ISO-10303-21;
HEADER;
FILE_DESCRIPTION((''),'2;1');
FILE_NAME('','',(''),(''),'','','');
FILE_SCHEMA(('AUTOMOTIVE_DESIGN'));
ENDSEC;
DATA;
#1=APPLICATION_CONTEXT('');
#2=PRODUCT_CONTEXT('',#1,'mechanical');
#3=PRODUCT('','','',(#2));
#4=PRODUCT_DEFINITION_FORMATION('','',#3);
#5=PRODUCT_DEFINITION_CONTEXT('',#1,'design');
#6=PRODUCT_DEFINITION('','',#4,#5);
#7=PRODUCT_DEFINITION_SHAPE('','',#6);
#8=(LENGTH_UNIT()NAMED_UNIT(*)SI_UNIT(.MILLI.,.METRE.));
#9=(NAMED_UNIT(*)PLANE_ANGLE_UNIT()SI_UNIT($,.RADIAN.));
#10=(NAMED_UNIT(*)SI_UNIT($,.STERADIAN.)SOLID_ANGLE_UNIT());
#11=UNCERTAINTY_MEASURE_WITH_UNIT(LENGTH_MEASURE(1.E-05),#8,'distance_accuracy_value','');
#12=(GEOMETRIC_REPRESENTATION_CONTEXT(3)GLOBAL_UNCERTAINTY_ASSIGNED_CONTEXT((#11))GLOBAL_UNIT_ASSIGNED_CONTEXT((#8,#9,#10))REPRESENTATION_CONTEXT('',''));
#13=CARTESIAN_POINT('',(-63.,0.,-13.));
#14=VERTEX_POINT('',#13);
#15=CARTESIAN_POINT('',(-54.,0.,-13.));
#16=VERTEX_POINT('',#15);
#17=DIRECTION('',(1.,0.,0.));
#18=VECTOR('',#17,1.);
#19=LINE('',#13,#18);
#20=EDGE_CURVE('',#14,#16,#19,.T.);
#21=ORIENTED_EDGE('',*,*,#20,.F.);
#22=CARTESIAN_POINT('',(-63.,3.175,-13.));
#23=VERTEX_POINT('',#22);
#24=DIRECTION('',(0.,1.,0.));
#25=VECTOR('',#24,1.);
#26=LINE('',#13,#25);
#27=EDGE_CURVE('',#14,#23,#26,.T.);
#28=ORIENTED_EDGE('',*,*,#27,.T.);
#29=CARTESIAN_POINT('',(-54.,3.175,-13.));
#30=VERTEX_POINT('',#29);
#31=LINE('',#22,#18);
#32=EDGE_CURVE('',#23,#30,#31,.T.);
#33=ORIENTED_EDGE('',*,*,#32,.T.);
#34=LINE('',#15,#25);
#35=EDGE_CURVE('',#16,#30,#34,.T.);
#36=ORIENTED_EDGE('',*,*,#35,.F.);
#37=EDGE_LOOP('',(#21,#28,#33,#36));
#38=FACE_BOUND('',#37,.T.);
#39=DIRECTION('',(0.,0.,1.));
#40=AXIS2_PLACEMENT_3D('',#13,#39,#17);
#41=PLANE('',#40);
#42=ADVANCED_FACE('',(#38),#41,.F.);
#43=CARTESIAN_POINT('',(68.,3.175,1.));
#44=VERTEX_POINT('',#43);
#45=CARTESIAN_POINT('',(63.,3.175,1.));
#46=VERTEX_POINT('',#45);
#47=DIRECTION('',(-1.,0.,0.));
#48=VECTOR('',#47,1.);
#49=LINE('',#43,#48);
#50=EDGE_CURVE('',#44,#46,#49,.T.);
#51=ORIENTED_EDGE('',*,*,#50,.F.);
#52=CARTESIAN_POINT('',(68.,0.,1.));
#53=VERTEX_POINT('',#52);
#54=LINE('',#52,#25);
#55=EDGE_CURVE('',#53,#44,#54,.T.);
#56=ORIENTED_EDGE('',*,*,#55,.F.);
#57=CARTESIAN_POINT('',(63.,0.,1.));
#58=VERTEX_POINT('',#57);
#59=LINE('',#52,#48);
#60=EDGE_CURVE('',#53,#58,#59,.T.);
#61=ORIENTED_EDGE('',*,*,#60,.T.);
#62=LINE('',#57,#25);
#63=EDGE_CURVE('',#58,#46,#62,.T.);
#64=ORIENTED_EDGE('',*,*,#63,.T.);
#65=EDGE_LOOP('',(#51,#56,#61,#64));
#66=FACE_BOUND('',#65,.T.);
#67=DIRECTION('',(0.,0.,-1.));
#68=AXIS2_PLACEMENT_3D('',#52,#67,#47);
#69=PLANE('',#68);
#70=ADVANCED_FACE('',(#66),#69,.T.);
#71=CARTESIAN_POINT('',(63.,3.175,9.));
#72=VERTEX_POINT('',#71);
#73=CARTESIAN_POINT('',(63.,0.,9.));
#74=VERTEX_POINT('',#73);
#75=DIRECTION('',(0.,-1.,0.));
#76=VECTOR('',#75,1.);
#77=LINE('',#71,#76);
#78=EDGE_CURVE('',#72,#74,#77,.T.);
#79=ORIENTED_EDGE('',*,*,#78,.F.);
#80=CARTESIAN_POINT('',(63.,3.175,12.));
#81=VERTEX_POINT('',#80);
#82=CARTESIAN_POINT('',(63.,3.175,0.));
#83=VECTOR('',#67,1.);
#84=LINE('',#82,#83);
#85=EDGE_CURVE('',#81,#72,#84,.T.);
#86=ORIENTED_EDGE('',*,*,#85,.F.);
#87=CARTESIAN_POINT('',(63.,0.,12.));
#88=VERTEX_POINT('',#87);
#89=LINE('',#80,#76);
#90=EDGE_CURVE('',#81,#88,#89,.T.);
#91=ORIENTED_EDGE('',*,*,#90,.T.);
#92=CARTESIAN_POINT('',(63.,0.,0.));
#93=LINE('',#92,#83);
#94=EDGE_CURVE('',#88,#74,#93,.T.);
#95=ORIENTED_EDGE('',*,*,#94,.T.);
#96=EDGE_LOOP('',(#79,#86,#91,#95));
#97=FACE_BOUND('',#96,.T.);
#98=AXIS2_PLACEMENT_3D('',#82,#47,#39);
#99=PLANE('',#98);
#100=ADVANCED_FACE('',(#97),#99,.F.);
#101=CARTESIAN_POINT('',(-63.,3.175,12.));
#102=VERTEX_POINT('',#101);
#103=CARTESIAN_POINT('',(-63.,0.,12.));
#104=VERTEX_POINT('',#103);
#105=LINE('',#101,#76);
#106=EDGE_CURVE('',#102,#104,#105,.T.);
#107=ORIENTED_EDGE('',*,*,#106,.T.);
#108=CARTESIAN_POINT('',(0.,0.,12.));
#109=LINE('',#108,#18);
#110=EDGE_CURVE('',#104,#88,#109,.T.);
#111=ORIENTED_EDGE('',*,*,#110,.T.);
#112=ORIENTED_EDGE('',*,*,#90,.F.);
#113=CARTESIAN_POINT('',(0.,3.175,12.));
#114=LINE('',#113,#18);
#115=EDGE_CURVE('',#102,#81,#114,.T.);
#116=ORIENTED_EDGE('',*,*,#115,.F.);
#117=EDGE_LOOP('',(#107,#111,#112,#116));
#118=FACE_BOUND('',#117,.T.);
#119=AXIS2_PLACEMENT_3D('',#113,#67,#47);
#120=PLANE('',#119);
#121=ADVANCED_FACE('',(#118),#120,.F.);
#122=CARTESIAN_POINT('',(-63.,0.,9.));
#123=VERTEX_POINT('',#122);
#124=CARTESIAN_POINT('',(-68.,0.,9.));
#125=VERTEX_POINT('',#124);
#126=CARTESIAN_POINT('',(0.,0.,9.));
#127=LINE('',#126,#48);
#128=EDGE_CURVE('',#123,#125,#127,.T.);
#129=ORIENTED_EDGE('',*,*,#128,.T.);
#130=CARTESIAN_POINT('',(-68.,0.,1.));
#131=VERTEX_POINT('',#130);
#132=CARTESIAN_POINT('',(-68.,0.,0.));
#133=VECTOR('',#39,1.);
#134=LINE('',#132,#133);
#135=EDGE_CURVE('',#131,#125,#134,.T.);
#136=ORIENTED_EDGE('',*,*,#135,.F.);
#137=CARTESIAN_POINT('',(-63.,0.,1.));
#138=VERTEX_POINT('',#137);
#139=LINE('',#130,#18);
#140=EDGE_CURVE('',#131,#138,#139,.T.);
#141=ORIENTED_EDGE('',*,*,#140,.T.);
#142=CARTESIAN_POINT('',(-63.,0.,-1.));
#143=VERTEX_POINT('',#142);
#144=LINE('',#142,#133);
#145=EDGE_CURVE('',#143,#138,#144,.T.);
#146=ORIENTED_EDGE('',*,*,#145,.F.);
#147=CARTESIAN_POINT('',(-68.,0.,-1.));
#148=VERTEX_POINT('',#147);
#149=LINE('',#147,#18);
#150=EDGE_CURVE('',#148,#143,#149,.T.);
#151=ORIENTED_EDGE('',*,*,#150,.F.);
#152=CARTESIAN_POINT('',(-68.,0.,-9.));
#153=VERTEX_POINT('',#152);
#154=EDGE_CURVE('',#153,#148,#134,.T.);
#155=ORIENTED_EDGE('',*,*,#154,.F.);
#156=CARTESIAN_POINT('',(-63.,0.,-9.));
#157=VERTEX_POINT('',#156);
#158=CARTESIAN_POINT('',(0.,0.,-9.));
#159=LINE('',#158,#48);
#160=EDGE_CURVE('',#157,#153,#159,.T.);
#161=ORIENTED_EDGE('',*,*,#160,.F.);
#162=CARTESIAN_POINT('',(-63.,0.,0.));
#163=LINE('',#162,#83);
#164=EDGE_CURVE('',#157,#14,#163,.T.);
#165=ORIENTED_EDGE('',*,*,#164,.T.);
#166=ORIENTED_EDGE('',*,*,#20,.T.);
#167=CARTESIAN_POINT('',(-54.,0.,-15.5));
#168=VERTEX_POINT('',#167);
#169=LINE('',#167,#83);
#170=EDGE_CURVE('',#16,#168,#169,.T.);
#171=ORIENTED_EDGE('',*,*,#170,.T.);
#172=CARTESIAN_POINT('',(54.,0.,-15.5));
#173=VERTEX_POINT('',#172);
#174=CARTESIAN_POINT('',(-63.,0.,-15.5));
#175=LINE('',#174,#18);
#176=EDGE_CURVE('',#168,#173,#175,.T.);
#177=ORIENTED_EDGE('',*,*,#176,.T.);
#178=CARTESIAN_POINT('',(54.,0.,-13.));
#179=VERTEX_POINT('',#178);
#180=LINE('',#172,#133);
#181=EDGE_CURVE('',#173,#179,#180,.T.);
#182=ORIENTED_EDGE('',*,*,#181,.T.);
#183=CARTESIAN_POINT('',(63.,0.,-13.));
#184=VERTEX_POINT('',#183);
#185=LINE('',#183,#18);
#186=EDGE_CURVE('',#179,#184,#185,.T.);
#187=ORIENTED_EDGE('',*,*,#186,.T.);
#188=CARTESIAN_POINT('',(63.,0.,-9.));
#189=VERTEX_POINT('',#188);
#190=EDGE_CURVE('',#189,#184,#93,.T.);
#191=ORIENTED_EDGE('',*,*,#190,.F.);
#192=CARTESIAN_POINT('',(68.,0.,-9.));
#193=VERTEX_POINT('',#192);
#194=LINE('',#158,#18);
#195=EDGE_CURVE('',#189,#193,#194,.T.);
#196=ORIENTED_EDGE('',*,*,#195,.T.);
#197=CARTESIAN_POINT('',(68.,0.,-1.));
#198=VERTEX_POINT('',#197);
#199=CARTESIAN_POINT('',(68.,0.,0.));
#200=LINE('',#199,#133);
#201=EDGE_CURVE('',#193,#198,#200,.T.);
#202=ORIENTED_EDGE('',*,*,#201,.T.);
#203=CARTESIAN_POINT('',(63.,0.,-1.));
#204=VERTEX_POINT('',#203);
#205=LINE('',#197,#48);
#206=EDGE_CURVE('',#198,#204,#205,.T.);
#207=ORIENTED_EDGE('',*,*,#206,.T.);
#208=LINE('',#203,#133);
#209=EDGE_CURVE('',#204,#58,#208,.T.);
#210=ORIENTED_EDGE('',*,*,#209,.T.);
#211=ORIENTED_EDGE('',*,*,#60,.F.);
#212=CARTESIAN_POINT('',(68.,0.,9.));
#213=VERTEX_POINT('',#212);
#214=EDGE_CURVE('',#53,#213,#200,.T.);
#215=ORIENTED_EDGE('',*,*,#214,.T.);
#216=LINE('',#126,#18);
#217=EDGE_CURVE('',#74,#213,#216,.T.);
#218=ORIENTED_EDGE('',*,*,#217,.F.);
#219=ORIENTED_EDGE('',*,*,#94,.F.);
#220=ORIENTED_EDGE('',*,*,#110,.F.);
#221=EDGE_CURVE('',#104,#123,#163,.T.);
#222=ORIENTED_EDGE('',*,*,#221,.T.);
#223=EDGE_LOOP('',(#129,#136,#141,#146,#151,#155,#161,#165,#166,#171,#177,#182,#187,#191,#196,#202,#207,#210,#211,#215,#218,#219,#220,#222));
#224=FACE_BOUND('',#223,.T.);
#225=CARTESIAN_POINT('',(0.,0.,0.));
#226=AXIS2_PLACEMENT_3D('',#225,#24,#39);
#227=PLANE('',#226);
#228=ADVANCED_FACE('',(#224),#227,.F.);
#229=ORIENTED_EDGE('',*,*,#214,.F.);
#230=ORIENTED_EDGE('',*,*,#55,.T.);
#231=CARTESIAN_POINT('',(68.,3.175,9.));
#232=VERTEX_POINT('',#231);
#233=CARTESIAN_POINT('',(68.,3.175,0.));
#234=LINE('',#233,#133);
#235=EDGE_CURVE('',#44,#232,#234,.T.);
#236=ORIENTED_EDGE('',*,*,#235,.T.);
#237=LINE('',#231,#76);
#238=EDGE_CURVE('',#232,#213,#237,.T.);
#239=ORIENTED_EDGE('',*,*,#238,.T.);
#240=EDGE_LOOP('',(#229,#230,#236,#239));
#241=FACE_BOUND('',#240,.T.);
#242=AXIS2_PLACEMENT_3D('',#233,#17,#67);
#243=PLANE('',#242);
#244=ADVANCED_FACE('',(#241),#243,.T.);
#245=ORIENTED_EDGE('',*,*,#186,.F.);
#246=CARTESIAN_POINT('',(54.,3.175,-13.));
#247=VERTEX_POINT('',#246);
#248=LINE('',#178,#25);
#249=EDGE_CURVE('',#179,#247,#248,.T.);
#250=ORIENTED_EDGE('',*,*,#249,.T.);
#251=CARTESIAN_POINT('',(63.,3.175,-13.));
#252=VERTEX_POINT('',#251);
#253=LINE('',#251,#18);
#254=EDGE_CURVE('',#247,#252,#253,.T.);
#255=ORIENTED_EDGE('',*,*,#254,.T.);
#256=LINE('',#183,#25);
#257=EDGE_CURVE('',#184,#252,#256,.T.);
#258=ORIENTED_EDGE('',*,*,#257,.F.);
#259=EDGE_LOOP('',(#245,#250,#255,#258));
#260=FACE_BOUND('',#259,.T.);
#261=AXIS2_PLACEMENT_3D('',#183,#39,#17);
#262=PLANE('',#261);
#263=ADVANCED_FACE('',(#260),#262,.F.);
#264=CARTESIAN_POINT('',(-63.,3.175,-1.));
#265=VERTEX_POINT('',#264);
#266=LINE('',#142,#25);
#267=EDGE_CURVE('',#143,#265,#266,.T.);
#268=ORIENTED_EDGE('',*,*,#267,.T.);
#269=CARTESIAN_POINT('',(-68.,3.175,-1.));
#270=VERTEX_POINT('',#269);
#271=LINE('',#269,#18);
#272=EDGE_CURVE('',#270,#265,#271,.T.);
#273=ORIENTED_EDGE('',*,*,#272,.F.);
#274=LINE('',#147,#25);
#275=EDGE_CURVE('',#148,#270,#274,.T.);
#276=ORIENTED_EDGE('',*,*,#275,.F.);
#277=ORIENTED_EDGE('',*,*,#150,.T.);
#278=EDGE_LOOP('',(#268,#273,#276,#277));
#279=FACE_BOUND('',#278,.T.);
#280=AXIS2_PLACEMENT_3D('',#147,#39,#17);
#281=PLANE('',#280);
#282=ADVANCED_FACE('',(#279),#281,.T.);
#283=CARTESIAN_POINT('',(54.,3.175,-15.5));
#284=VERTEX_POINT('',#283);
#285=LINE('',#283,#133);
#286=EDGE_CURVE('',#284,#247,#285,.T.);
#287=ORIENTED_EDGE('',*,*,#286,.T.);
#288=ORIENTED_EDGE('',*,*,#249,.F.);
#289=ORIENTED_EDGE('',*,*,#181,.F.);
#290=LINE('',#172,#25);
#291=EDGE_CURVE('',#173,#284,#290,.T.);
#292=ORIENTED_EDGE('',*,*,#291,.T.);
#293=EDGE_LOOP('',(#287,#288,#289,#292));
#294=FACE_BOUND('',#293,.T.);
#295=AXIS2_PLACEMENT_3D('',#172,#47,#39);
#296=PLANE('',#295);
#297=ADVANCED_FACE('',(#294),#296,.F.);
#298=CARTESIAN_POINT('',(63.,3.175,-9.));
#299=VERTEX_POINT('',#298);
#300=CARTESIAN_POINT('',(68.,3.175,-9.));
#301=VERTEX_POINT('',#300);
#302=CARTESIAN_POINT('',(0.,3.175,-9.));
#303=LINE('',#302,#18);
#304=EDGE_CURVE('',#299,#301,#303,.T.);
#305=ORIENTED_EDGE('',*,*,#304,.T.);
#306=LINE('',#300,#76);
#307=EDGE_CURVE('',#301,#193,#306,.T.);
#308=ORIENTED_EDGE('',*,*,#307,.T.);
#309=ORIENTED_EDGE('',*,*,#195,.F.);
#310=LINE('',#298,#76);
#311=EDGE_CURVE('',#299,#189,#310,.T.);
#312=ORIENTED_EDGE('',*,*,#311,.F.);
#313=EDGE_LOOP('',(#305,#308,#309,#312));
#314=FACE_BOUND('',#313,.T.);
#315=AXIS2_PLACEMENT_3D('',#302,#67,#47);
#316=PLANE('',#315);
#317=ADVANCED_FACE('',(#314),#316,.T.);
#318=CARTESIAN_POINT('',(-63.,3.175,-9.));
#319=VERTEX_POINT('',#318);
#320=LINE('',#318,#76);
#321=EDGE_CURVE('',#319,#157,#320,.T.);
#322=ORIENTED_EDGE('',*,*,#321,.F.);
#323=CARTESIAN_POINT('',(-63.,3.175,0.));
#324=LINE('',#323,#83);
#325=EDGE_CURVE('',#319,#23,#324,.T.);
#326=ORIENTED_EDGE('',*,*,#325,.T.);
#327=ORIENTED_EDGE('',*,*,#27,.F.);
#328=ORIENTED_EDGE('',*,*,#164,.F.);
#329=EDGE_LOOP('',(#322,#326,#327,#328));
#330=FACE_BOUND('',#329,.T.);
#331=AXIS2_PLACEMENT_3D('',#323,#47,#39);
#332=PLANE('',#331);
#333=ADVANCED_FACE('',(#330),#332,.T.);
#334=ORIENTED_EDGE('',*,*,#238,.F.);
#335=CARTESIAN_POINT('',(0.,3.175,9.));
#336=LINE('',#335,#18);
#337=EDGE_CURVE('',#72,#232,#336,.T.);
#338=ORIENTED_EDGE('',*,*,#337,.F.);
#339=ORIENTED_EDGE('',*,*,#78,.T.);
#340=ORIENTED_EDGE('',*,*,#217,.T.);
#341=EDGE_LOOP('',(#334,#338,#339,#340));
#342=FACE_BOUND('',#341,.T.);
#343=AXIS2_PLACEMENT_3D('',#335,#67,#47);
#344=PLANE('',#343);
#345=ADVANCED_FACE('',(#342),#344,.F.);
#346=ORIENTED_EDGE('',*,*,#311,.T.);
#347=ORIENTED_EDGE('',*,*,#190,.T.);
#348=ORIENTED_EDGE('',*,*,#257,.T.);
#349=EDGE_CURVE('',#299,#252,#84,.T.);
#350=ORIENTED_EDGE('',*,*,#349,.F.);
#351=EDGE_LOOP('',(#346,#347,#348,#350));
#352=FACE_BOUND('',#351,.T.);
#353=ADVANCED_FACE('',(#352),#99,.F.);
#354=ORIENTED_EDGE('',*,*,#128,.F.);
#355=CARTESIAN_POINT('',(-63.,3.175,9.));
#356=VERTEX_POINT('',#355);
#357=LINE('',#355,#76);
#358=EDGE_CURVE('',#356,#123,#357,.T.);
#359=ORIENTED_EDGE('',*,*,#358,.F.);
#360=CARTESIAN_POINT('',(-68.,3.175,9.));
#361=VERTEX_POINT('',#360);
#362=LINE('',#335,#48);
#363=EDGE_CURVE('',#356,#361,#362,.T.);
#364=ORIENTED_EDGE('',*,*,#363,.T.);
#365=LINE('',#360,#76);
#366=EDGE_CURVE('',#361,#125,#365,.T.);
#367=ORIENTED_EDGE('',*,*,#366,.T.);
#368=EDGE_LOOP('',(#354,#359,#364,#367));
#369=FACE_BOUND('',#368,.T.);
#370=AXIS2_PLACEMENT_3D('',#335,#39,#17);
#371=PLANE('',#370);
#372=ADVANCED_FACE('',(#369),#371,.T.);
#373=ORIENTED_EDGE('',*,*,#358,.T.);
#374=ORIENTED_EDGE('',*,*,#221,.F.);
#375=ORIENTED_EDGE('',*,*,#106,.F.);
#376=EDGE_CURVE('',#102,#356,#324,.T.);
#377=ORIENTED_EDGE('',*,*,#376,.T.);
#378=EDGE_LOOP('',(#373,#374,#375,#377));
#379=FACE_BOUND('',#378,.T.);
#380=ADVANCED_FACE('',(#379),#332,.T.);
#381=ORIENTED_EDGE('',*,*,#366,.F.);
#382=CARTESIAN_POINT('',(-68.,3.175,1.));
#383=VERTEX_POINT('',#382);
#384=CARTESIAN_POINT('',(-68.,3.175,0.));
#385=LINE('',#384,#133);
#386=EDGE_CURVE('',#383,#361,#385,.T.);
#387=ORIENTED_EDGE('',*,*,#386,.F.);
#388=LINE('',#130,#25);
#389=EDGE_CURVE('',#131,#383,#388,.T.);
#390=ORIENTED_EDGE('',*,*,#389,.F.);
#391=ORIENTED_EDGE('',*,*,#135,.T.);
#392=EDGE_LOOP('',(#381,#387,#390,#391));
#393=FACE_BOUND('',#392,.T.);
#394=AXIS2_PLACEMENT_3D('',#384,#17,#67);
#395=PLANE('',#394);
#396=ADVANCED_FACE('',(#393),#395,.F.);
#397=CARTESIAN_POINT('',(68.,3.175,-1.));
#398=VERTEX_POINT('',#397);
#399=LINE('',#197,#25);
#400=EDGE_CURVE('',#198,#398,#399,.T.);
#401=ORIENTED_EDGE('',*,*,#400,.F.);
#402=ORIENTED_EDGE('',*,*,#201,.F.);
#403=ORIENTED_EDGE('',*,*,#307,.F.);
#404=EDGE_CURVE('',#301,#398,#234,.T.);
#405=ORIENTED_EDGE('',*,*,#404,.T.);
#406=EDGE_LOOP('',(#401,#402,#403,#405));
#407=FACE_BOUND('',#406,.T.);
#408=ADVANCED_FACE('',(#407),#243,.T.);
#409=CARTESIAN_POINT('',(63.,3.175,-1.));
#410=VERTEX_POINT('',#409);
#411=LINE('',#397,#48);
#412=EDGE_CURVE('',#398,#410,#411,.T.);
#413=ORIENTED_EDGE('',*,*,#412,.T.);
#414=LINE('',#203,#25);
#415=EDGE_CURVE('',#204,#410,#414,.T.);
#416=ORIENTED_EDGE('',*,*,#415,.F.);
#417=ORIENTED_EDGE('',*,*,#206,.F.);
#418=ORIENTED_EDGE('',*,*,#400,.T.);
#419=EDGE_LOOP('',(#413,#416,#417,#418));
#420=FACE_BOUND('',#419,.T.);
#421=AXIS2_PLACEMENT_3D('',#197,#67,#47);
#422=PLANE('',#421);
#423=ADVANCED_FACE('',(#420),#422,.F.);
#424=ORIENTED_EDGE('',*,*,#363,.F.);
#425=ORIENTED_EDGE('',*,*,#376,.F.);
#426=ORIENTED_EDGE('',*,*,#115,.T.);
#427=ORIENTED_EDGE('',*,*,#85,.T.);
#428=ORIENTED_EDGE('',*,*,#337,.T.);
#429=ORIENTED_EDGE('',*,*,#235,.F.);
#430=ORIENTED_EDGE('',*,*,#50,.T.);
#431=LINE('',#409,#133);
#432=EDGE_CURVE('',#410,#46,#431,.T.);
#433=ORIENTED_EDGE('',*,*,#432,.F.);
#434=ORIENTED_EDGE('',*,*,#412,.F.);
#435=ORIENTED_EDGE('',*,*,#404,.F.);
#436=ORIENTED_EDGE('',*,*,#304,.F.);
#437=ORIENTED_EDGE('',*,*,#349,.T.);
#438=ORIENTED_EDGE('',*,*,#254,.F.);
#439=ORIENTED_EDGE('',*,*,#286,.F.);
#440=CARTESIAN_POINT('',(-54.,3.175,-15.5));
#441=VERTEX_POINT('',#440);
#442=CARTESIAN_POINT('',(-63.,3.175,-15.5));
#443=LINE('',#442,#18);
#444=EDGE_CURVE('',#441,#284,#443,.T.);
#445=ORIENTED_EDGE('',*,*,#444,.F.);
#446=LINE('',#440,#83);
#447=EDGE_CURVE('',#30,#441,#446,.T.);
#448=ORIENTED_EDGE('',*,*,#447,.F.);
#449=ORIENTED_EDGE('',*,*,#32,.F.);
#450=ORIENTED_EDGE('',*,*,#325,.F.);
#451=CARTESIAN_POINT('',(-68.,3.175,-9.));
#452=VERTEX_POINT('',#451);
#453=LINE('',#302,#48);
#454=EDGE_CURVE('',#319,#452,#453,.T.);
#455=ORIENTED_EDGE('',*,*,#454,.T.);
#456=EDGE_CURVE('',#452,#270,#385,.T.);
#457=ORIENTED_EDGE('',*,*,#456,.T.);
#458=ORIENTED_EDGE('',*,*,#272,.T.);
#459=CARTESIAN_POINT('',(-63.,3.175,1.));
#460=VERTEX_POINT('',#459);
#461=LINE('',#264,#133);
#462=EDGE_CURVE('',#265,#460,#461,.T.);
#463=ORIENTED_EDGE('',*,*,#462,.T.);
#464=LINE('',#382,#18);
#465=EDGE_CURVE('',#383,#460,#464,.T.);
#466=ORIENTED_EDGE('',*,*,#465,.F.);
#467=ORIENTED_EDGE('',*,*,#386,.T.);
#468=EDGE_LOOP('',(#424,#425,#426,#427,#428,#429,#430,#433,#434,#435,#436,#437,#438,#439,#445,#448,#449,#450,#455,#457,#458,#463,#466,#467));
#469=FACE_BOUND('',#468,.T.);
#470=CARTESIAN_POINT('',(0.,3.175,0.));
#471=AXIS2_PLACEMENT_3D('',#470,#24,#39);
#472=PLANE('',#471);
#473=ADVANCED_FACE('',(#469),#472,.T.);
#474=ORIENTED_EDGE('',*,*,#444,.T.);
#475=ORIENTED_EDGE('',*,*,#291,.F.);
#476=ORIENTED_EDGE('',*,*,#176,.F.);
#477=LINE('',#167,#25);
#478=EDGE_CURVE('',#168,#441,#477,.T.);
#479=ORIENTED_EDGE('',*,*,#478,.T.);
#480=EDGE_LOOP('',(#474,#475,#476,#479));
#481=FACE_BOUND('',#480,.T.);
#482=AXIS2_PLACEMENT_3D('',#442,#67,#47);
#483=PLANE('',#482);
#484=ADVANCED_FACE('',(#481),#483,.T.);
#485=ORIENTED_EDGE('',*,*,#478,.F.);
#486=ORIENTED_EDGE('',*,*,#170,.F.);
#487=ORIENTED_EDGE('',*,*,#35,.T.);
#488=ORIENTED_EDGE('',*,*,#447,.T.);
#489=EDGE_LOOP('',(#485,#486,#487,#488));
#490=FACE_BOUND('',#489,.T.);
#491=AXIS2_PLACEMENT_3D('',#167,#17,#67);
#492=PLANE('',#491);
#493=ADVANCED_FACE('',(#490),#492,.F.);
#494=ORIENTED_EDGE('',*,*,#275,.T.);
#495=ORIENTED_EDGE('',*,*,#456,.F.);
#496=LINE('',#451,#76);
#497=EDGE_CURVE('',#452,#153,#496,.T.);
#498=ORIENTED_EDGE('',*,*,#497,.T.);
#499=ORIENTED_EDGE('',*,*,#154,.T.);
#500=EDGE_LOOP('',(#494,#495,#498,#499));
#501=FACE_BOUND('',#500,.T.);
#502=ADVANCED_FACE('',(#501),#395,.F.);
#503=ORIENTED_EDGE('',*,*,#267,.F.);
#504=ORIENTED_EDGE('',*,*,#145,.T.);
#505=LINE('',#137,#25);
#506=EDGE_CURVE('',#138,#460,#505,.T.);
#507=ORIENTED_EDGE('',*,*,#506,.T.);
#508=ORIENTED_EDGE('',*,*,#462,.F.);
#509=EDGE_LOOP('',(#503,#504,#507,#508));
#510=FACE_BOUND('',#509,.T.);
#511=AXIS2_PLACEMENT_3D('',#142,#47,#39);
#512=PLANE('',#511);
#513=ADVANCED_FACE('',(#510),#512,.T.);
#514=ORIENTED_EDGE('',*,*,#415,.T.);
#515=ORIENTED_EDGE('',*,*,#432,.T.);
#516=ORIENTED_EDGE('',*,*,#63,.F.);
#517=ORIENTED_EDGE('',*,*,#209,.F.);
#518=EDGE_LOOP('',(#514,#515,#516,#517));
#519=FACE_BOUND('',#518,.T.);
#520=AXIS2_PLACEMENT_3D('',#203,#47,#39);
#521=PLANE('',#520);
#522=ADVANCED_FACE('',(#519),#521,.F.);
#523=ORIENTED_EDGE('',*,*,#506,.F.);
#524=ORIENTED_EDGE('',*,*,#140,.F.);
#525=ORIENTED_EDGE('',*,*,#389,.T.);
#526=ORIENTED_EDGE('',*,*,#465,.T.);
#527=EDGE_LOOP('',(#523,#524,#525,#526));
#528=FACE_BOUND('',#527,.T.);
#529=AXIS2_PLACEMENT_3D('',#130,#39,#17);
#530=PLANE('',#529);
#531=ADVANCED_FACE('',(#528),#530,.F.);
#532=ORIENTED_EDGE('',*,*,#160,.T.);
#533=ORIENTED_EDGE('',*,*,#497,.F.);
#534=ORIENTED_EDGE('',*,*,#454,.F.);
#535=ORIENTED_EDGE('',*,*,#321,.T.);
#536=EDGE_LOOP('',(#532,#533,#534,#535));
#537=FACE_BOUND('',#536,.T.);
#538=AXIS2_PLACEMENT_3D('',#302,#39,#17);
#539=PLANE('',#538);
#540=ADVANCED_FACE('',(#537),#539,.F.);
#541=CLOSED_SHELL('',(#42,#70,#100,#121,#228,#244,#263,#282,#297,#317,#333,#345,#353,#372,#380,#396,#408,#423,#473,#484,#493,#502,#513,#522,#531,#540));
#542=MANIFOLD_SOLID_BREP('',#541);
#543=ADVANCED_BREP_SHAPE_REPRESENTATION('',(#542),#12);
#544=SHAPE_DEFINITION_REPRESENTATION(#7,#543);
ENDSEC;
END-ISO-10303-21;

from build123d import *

# Parameters (mm, degrees)
SKETCH1_W               = 5
SKETCH1_H               = 18
SKETCH1_W_2             = 126
SKETCH1_H_2             = 24
SKETCH1_H_3             = 3.5
BOSS_EXTRUDE1_DEPTH     = 3.175
SKETCH2_W               = 9
SKETCH2_H               = 2.5
CUT_EXTRUDE1_DEPTH      = 70.81640656
CUT_EXTRUDE2_DEPTH      = 70.81640656
CUT_EXTRUDE2_DEPTH_BACK = 70.81640656
SKETCH5_W               = 5
SKETCH5_H               = 2


with BuildPart() as part:
    # Sketch1 → Boss-Extrude1 (new body)
    with BuildSketch(Plane(origin=(0, 0, 0), x_dir=(1, 0, 0), z_dir=(0, 1, 0))):
        with Locations((-65.5, 0)):
            Rectangle(SKETCH1_W, SKETCH1_H)
        Rectangle(SKETCH1_W_2, SKETCH1_H_2)
        with Locations((65.5, 0)):
            Rectangle(SKETCH1_W, SKETCH1_H)
        with Locations((0, 13.75)):
            Rectangle(SKETCH1_W_2, SKETCH1_H_3)
    extrude(amount=BOSS_EXTRUDE1_DEPTH)

    # Sketch2 → Cut-Extrude1 (cut, through all)
    with BuildSketch(Plane(origin=(0, 3.175, 0), x_dir=(1, 0, 0), z_dir=(0, 1, 0))):
        with Locations((-58.5, 14.25)):
            Rectangle(SKETCH2_W, SKETCH2_H)
        with Locations((58.5, 14.25)):
            Rectangle(SKETCH2_W, SKETCH2_H)
    extrude(amount=-CUT_EXTRUDE1_DEPTH, mode=Mode.SUBTRACT)

    # Sketch5 → Cut-Extrude2 (cut, two sides: drawn at the far end of the back side and taken through both)
    with BuildSketch(Plane(origin=(0, 3.175, 0), x_dir=(1, 0, 0), z_dir=(0, 1, 0)).offset(-CUT_EXTRUDE2_DEPTH_BACK)):
        with Locations((-65.5, 0)):
            Rectangle(SKETCH5_W, SKETCH5_H)
        with Locations((65.5, 0)):
            Rectangle(SKETCH5_W, SKETCH5_H)
    extrude(amount=CUT_EXTRUDE2_DEPTH + CUT_EXTRUDE2_DEPTH_BACK, mode=Mode.SUBTRACT)


solid = part.part
